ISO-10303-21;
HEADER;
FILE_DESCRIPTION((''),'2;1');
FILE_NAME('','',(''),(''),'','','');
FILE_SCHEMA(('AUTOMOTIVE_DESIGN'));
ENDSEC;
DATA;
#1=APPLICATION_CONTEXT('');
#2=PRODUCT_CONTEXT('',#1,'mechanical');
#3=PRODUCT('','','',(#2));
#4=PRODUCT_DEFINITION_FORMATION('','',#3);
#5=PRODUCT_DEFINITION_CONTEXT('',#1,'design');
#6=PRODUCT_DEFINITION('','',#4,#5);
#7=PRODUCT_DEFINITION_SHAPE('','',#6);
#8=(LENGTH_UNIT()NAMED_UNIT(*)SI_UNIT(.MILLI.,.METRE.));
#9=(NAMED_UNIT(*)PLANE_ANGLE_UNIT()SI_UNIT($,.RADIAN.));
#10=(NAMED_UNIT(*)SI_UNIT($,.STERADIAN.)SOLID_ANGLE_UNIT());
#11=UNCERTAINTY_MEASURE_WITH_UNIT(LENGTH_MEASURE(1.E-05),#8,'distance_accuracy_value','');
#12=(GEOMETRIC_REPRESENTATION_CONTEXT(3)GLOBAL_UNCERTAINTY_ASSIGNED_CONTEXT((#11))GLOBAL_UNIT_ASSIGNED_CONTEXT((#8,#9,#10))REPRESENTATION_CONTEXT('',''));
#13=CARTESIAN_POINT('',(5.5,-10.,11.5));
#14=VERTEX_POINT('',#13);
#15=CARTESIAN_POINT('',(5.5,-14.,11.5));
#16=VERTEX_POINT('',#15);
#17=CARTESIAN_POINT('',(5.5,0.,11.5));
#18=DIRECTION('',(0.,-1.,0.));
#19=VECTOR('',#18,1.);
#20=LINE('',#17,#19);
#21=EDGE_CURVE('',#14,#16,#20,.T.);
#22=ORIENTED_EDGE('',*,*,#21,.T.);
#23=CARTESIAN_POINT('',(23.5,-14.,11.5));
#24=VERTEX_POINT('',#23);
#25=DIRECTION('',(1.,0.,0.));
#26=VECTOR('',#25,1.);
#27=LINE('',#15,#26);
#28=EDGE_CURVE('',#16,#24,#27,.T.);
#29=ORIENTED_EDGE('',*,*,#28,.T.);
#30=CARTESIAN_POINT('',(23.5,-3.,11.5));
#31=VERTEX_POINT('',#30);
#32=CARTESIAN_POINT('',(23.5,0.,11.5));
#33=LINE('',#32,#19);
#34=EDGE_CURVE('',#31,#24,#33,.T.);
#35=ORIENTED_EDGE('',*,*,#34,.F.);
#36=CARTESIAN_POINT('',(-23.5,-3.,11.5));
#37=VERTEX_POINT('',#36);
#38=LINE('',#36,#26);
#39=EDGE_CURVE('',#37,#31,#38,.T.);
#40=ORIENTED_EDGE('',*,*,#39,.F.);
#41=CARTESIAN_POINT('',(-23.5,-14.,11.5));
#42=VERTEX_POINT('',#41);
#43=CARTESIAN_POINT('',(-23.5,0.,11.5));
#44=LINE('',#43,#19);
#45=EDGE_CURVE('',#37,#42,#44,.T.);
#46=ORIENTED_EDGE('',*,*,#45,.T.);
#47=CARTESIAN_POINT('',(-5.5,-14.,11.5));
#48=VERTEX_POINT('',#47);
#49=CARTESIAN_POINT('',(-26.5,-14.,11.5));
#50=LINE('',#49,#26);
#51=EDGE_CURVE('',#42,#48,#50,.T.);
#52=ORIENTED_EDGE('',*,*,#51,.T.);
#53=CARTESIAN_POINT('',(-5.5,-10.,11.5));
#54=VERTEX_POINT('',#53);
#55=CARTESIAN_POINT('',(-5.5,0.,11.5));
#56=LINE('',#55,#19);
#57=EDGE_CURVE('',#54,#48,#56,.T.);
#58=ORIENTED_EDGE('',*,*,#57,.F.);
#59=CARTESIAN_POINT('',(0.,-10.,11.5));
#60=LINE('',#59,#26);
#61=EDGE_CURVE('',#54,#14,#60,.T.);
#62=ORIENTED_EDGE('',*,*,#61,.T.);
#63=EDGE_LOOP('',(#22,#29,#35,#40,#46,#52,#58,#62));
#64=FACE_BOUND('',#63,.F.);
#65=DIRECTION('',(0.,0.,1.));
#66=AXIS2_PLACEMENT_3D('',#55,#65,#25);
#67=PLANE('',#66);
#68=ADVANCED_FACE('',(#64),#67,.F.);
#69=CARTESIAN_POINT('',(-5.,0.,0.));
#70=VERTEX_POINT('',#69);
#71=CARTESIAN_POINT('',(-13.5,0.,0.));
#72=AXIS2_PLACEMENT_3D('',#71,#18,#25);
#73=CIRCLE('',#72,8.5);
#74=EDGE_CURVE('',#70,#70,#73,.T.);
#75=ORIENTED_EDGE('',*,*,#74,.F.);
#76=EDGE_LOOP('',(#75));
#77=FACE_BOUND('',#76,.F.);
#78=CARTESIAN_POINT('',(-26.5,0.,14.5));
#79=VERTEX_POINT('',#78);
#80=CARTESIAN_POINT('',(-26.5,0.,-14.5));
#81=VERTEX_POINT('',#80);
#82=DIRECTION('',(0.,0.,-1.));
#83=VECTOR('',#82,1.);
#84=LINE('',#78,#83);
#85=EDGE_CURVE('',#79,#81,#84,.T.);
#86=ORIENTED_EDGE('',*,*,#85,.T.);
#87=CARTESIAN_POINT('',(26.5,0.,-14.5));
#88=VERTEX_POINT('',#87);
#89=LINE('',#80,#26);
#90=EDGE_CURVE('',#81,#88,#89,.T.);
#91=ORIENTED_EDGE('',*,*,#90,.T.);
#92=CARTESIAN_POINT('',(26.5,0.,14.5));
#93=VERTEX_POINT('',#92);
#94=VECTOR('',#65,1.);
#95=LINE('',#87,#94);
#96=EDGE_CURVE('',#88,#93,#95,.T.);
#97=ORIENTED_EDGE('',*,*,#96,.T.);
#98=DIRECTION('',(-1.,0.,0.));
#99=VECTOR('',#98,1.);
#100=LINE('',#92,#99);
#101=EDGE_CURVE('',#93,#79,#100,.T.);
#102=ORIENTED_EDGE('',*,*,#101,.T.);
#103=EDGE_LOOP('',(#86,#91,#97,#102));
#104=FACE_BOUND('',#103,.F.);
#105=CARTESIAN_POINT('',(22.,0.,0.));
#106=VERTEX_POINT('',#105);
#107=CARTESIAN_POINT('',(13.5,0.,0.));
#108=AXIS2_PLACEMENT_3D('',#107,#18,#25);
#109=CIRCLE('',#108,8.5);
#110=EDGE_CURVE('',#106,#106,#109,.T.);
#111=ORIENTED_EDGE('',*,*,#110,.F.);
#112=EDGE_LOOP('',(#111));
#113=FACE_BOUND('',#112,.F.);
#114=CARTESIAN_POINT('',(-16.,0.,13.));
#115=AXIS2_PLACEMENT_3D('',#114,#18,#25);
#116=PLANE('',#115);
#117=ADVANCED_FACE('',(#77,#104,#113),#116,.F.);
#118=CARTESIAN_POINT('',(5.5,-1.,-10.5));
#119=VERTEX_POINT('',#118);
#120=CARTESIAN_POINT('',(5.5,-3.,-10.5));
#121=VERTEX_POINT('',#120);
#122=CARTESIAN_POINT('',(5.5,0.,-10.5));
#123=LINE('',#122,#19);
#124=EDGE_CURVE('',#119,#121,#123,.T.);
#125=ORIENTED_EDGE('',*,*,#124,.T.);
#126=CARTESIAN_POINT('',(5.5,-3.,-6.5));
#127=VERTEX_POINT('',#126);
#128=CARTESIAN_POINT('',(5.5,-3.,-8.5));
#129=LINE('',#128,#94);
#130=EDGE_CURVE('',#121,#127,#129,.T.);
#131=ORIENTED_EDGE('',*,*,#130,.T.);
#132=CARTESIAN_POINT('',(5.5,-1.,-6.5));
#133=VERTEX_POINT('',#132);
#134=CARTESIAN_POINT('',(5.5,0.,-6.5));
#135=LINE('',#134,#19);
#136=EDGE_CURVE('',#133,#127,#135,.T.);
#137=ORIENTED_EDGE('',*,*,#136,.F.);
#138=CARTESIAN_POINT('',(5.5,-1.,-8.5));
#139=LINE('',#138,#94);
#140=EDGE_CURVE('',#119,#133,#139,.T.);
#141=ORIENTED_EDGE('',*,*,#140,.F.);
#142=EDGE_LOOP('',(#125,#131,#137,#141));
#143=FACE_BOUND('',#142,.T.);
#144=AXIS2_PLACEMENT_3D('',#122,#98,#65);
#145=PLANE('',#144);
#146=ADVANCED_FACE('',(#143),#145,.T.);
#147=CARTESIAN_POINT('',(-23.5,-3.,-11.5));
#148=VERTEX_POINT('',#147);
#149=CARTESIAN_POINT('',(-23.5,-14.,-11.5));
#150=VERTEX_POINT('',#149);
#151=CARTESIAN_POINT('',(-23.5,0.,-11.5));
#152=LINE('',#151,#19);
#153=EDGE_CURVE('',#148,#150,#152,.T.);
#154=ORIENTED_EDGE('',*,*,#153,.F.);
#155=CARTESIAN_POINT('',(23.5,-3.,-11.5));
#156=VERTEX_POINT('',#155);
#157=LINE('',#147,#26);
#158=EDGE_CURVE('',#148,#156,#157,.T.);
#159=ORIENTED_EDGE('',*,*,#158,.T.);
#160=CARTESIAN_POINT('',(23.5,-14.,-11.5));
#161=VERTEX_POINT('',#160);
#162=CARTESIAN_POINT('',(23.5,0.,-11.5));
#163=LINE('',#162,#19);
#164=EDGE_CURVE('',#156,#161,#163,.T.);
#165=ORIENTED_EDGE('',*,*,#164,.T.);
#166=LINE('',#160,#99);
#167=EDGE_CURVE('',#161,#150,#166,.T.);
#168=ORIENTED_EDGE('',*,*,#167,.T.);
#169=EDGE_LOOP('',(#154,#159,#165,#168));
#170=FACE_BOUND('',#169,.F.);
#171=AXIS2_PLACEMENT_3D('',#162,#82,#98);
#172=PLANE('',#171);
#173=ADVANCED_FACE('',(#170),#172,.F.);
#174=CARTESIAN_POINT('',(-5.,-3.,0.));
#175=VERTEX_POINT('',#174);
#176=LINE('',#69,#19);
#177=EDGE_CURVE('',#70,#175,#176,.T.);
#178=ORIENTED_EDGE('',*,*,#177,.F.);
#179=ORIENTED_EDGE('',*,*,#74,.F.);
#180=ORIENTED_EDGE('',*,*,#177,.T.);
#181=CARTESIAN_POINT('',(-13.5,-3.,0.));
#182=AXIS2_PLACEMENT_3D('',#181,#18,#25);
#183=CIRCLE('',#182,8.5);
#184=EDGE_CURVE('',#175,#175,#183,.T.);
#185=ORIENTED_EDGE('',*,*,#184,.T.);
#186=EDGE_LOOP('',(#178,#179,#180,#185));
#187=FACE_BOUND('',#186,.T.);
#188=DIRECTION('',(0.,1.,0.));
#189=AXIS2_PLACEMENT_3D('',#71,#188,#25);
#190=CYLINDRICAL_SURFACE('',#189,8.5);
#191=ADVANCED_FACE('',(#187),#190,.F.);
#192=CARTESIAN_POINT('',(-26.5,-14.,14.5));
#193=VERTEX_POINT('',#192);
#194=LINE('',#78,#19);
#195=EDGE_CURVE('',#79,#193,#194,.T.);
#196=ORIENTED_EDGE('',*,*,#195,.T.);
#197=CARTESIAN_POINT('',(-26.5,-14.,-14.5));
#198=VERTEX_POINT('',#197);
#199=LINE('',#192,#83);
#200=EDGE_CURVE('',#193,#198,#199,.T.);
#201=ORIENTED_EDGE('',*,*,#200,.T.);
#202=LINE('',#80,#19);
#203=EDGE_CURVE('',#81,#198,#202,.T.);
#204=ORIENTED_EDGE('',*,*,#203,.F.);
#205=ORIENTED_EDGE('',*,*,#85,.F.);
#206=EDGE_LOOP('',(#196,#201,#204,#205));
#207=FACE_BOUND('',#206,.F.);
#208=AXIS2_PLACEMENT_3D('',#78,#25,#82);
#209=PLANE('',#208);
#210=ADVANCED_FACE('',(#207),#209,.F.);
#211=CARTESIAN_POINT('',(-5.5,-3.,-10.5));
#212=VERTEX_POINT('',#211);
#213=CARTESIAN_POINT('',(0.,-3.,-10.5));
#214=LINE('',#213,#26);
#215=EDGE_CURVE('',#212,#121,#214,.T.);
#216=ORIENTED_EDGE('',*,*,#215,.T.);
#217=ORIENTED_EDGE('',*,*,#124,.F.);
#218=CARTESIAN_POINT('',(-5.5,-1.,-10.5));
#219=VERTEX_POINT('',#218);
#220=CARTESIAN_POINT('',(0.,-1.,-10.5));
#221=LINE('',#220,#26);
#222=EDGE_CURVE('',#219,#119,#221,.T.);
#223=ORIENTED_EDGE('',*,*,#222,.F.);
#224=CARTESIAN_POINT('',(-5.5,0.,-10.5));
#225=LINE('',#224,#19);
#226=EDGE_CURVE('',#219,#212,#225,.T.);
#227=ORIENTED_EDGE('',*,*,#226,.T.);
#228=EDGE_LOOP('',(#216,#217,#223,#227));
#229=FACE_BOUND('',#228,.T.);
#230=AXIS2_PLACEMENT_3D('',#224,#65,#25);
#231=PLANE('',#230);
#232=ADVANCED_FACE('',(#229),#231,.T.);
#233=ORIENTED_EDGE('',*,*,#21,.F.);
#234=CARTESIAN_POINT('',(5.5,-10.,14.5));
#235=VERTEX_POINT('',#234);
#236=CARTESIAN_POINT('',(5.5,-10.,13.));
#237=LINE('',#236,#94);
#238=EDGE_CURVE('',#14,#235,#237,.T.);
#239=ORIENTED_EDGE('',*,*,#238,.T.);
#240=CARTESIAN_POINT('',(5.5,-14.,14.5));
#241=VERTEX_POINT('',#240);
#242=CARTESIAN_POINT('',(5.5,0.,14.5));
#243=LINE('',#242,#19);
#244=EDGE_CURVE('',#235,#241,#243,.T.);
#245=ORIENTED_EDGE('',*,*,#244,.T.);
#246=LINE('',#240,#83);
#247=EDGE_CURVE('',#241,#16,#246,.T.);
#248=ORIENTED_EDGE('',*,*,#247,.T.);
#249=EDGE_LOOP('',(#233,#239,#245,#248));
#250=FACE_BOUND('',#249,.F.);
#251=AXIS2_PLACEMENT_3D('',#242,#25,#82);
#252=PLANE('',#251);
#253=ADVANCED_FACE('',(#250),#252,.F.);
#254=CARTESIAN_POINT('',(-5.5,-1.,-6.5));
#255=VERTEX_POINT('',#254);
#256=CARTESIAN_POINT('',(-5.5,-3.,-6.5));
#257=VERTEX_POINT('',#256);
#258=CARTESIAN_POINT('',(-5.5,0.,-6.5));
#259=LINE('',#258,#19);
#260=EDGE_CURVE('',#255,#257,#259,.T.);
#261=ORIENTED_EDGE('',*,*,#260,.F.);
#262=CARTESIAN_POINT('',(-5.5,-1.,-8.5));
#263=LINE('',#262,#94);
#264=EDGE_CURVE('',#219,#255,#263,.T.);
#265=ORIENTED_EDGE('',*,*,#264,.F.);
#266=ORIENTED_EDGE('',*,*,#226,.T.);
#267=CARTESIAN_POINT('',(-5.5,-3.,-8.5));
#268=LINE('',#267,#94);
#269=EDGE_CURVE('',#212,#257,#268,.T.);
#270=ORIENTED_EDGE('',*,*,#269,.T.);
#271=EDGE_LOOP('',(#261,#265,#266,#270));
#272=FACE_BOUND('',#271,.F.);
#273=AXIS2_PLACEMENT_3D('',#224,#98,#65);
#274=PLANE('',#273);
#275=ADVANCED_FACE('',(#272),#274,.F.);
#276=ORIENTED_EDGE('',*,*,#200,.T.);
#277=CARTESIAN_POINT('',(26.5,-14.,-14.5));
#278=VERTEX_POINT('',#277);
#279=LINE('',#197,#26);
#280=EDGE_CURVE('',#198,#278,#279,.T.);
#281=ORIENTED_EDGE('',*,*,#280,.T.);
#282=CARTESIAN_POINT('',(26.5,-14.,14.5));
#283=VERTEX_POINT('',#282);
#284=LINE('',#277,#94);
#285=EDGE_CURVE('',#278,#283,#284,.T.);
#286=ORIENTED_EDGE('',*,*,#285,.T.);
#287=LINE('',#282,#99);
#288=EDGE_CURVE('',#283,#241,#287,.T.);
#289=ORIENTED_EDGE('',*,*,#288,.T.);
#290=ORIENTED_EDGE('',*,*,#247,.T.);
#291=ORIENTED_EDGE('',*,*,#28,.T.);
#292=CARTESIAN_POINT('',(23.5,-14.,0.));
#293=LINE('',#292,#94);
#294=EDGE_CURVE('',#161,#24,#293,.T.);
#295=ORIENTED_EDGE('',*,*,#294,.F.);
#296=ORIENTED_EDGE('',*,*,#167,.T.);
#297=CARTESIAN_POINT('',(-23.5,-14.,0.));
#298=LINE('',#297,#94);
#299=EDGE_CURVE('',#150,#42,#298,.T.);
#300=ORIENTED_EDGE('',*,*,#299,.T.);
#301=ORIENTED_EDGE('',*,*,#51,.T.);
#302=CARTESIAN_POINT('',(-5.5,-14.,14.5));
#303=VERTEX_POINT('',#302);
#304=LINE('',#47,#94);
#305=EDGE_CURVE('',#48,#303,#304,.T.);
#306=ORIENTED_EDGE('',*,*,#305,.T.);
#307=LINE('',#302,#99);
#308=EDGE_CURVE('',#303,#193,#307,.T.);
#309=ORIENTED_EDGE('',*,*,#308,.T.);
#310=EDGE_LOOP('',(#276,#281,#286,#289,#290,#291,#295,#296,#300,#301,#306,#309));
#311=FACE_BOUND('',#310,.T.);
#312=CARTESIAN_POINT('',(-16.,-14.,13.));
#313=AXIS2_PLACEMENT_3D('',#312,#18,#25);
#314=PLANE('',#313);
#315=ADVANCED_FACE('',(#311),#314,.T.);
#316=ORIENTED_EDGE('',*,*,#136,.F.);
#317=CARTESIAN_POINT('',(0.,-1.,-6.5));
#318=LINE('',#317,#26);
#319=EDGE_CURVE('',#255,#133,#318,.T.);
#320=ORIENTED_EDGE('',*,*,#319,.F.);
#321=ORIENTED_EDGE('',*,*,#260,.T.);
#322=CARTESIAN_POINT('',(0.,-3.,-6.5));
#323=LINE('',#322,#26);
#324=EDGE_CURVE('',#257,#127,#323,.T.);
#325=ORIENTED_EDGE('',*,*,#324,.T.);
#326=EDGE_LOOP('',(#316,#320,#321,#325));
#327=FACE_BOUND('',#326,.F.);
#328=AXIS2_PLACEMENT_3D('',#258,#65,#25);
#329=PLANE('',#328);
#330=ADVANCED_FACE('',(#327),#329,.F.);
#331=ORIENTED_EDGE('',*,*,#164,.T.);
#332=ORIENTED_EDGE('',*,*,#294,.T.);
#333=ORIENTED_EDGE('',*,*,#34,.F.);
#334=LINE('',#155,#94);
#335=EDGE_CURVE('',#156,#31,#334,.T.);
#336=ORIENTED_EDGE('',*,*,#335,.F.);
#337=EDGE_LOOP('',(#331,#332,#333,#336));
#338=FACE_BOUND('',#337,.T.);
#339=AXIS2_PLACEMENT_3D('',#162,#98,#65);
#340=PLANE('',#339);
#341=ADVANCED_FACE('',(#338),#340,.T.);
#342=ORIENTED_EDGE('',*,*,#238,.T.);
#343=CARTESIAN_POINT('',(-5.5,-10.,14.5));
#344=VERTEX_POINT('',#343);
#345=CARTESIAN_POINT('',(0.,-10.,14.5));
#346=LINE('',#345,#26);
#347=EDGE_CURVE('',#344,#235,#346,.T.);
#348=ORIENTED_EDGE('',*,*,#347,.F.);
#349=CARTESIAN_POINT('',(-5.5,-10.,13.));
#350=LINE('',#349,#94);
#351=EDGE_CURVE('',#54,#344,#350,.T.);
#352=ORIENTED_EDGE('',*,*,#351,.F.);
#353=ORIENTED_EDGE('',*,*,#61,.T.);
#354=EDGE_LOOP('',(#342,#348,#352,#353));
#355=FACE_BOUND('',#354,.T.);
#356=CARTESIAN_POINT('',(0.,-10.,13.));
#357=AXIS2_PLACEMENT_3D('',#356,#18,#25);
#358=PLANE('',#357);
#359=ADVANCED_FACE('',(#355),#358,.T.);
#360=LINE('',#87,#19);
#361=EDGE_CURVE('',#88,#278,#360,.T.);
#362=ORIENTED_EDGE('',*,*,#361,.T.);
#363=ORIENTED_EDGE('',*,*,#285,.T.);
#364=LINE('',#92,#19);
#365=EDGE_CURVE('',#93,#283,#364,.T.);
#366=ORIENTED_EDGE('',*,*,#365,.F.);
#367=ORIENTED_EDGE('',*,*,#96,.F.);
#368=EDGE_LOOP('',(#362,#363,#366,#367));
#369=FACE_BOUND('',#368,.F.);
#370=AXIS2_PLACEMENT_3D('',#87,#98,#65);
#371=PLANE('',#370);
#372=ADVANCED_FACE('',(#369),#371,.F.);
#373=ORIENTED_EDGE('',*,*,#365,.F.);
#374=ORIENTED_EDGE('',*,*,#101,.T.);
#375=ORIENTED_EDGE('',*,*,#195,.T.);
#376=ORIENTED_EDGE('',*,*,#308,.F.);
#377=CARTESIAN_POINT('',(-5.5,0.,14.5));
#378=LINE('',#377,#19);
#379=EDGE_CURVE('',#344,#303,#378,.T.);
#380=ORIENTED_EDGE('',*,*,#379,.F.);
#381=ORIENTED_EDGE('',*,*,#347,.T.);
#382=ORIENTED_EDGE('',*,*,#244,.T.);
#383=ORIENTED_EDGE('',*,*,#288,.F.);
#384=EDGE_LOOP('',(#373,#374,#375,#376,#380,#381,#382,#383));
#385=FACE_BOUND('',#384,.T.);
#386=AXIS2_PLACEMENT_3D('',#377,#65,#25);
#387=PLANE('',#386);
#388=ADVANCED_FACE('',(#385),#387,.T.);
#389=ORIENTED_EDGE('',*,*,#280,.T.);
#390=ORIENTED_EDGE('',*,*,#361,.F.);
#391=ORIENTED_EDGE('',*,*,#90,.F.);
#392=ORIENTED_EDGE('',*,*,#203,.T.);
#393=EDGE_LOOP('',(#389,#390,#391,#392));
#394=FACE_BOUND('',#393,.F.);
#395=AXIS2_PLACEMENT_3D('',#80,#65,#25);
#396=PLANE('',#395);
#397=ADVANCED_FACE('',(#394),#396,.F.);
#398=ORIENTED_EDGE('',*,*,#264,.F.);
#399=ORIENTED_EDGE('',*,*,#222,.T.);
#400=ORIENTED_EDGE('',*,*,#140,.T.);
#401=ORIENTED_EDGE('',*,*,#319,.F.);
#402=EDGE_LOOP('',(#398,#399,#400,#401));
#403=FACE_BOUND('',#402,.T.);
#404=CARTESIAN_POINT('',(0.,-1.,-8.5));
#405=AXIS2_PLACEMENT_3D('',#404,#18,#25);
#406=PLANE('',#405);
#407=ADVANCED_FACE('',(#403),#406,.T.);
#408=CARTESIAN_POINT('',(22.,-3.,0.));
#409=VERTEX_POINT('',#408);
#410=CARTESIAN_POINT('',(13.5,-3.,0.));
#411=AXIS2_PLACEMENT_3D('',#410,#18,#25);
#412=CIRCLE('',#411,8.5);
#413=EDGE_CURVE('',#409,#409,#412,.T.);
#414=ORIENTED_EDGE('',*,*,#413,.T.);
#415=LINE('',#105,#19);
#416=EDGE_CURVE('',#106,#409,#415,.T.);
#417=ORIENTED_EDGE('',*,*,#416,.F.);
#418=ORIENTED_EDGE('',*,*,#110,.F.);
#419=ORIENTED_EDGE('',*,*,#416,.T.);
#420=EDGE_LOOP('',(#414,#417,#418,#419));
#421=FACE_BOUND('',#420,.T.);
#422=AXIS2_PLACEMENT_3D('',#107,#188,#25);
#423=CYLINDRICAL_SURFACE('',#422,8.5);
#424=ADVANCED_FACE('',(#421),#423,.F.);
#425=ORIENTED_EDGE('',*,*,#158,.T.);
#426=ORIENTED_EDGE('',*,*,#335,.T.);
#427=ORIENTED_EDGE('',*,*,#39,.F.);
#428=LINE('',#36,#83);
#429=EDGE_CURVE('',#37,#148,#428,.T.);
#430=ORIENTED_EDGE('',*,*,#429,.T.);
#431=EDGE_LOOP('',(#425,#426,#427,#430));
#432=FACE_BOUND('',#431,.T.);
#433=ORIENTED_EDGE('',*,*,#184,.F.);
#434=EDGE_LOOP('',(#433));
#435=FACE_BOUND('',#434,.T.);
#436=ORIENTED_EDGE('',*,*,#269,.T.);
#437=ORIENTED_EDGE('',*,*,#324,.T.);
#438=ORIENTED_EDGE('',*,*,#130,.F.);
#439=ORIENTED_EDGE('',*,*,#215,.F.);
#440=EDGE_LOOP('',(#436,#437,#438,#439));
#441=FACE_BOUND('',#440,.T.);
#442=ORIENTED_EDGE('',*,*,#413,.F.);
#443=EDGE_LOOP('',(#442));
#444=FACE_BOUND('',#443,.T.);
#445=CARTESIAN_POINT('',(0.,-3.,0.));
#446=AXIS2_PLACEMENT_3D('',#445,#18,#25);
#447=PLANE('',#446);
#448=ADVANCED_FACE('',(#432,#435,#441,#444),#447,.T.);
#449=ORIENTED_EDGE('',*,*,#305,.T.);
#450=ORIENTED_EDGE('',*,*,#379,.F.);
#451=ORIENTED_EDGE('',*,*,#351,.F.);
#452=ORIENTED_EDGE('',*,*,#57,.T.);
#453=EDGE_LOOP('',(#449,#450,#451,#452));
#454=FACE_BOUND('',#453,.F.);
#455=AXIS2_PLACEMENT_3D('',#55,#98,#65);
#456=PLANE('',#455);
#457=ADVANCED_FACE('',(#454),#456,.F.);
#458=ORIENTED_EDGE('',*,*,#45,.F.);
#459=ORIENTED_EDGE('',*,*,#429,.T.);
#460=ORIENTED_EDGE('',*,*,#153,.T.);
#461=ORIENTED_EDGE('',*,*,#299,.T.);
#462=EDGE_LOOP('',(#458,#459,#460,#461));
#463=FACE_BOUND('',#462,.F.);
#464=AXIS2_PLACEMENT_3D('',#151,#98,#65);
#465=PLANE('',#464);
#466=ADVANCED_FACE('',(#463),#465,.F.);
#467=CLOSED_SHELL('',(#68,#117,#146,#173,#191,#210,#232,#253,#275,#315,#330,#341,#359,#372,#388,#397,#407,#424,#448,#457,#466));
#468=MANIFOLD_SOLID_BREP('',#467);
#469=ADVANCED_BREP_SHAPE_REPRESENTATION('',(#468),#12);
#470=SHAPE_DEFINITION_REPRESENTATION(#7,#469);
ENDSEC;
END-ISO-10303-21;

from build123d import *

# Parameters (mm, degrees)
F0_W     = 11
F0_H     = 4
F0_R     = 8.5
F1_DEPTH = 3
F2_DEPTH = 1
F0_W_2   = 3
F0_H_2   = 23
F0_H_3   = 3
F3_DEPTH = 14
F4_DEPTH = 10


with BuildPart() as f1:
    # F0 (on Front) → F1 (new body)
    with BuildSketch(Plane.XZ):
        Polygon((-5.5, 11.5), (-23.5, 11.5), (-23.5, -11.5), (-5.5, -11.5), (5.5, -11.5), (23.5, -11.5), (23.5, 11.5), (5.5, 11.5), align=None)
        with Locations((0, -8.5)):
            Rectangle(F0_W, F0_H, mode=Mode.SUBTRACT)
        with Locations((-13.5, 0)):
            Circle(F0_R, mode=Mode.SUBTRACT)
        with Locations((13.5, 0)):
            Circle(F0_R, mode=Mode.SUBTRACT)
    extrude(amount=F1_DEPTH)

    # F0 (on Front) → F2 (join)
    with BuildSketch(Plane.XZ):
        with Locations((0, -8.5)):
            Rectangle(F0_W, F0_H)
    extrude(amount=F2_DEPTH)

    # F0 (on Front) → F3 (join)
    with BuildSketch(Plane.XZ):
        Polygon((-26.5, 11.5), (-23.5, 11.5), (-5.5, 11.5), (-5.5, 14.5), (-26.5, 14.5), align=None)
        Polygon((5.5, 14.5), (5.5, 11.5), (23.5, 11.5), (26.5, 11.5), (26.5, 14.5), align=None)
        with Locations((-25, 0)):
            Rectangle(F0_W_2, F0_H_2)
        Polygon((23.5, -11.5), (5.5, -11.5), (5.5, -14.5), (26.5, -14.5), (26.5, -11.5), align=None)
        Polygon((-5.5, -11.5), (-23.5, -11.5), (-26.5, -11.5), (-26.5, -14.5), (-5.5, -14.5), align=None)
        with Locations((25, 0)):
            Rectangle(F0_W_2, F0_H_2)
        with Locations((0, -13)):
            Rectangle(F0_W, F0_H_3)
    extrude(amount=F3_DEPTH)

    # F0 (on Front) → F4 (join)
    with BuildSketch(Plane.XZ):
        with Locations((0, 13)):
            Rectangle(F0_W, F0_H_3)
    extrude(amount=F4_DEPTH)


solid = f1.part
